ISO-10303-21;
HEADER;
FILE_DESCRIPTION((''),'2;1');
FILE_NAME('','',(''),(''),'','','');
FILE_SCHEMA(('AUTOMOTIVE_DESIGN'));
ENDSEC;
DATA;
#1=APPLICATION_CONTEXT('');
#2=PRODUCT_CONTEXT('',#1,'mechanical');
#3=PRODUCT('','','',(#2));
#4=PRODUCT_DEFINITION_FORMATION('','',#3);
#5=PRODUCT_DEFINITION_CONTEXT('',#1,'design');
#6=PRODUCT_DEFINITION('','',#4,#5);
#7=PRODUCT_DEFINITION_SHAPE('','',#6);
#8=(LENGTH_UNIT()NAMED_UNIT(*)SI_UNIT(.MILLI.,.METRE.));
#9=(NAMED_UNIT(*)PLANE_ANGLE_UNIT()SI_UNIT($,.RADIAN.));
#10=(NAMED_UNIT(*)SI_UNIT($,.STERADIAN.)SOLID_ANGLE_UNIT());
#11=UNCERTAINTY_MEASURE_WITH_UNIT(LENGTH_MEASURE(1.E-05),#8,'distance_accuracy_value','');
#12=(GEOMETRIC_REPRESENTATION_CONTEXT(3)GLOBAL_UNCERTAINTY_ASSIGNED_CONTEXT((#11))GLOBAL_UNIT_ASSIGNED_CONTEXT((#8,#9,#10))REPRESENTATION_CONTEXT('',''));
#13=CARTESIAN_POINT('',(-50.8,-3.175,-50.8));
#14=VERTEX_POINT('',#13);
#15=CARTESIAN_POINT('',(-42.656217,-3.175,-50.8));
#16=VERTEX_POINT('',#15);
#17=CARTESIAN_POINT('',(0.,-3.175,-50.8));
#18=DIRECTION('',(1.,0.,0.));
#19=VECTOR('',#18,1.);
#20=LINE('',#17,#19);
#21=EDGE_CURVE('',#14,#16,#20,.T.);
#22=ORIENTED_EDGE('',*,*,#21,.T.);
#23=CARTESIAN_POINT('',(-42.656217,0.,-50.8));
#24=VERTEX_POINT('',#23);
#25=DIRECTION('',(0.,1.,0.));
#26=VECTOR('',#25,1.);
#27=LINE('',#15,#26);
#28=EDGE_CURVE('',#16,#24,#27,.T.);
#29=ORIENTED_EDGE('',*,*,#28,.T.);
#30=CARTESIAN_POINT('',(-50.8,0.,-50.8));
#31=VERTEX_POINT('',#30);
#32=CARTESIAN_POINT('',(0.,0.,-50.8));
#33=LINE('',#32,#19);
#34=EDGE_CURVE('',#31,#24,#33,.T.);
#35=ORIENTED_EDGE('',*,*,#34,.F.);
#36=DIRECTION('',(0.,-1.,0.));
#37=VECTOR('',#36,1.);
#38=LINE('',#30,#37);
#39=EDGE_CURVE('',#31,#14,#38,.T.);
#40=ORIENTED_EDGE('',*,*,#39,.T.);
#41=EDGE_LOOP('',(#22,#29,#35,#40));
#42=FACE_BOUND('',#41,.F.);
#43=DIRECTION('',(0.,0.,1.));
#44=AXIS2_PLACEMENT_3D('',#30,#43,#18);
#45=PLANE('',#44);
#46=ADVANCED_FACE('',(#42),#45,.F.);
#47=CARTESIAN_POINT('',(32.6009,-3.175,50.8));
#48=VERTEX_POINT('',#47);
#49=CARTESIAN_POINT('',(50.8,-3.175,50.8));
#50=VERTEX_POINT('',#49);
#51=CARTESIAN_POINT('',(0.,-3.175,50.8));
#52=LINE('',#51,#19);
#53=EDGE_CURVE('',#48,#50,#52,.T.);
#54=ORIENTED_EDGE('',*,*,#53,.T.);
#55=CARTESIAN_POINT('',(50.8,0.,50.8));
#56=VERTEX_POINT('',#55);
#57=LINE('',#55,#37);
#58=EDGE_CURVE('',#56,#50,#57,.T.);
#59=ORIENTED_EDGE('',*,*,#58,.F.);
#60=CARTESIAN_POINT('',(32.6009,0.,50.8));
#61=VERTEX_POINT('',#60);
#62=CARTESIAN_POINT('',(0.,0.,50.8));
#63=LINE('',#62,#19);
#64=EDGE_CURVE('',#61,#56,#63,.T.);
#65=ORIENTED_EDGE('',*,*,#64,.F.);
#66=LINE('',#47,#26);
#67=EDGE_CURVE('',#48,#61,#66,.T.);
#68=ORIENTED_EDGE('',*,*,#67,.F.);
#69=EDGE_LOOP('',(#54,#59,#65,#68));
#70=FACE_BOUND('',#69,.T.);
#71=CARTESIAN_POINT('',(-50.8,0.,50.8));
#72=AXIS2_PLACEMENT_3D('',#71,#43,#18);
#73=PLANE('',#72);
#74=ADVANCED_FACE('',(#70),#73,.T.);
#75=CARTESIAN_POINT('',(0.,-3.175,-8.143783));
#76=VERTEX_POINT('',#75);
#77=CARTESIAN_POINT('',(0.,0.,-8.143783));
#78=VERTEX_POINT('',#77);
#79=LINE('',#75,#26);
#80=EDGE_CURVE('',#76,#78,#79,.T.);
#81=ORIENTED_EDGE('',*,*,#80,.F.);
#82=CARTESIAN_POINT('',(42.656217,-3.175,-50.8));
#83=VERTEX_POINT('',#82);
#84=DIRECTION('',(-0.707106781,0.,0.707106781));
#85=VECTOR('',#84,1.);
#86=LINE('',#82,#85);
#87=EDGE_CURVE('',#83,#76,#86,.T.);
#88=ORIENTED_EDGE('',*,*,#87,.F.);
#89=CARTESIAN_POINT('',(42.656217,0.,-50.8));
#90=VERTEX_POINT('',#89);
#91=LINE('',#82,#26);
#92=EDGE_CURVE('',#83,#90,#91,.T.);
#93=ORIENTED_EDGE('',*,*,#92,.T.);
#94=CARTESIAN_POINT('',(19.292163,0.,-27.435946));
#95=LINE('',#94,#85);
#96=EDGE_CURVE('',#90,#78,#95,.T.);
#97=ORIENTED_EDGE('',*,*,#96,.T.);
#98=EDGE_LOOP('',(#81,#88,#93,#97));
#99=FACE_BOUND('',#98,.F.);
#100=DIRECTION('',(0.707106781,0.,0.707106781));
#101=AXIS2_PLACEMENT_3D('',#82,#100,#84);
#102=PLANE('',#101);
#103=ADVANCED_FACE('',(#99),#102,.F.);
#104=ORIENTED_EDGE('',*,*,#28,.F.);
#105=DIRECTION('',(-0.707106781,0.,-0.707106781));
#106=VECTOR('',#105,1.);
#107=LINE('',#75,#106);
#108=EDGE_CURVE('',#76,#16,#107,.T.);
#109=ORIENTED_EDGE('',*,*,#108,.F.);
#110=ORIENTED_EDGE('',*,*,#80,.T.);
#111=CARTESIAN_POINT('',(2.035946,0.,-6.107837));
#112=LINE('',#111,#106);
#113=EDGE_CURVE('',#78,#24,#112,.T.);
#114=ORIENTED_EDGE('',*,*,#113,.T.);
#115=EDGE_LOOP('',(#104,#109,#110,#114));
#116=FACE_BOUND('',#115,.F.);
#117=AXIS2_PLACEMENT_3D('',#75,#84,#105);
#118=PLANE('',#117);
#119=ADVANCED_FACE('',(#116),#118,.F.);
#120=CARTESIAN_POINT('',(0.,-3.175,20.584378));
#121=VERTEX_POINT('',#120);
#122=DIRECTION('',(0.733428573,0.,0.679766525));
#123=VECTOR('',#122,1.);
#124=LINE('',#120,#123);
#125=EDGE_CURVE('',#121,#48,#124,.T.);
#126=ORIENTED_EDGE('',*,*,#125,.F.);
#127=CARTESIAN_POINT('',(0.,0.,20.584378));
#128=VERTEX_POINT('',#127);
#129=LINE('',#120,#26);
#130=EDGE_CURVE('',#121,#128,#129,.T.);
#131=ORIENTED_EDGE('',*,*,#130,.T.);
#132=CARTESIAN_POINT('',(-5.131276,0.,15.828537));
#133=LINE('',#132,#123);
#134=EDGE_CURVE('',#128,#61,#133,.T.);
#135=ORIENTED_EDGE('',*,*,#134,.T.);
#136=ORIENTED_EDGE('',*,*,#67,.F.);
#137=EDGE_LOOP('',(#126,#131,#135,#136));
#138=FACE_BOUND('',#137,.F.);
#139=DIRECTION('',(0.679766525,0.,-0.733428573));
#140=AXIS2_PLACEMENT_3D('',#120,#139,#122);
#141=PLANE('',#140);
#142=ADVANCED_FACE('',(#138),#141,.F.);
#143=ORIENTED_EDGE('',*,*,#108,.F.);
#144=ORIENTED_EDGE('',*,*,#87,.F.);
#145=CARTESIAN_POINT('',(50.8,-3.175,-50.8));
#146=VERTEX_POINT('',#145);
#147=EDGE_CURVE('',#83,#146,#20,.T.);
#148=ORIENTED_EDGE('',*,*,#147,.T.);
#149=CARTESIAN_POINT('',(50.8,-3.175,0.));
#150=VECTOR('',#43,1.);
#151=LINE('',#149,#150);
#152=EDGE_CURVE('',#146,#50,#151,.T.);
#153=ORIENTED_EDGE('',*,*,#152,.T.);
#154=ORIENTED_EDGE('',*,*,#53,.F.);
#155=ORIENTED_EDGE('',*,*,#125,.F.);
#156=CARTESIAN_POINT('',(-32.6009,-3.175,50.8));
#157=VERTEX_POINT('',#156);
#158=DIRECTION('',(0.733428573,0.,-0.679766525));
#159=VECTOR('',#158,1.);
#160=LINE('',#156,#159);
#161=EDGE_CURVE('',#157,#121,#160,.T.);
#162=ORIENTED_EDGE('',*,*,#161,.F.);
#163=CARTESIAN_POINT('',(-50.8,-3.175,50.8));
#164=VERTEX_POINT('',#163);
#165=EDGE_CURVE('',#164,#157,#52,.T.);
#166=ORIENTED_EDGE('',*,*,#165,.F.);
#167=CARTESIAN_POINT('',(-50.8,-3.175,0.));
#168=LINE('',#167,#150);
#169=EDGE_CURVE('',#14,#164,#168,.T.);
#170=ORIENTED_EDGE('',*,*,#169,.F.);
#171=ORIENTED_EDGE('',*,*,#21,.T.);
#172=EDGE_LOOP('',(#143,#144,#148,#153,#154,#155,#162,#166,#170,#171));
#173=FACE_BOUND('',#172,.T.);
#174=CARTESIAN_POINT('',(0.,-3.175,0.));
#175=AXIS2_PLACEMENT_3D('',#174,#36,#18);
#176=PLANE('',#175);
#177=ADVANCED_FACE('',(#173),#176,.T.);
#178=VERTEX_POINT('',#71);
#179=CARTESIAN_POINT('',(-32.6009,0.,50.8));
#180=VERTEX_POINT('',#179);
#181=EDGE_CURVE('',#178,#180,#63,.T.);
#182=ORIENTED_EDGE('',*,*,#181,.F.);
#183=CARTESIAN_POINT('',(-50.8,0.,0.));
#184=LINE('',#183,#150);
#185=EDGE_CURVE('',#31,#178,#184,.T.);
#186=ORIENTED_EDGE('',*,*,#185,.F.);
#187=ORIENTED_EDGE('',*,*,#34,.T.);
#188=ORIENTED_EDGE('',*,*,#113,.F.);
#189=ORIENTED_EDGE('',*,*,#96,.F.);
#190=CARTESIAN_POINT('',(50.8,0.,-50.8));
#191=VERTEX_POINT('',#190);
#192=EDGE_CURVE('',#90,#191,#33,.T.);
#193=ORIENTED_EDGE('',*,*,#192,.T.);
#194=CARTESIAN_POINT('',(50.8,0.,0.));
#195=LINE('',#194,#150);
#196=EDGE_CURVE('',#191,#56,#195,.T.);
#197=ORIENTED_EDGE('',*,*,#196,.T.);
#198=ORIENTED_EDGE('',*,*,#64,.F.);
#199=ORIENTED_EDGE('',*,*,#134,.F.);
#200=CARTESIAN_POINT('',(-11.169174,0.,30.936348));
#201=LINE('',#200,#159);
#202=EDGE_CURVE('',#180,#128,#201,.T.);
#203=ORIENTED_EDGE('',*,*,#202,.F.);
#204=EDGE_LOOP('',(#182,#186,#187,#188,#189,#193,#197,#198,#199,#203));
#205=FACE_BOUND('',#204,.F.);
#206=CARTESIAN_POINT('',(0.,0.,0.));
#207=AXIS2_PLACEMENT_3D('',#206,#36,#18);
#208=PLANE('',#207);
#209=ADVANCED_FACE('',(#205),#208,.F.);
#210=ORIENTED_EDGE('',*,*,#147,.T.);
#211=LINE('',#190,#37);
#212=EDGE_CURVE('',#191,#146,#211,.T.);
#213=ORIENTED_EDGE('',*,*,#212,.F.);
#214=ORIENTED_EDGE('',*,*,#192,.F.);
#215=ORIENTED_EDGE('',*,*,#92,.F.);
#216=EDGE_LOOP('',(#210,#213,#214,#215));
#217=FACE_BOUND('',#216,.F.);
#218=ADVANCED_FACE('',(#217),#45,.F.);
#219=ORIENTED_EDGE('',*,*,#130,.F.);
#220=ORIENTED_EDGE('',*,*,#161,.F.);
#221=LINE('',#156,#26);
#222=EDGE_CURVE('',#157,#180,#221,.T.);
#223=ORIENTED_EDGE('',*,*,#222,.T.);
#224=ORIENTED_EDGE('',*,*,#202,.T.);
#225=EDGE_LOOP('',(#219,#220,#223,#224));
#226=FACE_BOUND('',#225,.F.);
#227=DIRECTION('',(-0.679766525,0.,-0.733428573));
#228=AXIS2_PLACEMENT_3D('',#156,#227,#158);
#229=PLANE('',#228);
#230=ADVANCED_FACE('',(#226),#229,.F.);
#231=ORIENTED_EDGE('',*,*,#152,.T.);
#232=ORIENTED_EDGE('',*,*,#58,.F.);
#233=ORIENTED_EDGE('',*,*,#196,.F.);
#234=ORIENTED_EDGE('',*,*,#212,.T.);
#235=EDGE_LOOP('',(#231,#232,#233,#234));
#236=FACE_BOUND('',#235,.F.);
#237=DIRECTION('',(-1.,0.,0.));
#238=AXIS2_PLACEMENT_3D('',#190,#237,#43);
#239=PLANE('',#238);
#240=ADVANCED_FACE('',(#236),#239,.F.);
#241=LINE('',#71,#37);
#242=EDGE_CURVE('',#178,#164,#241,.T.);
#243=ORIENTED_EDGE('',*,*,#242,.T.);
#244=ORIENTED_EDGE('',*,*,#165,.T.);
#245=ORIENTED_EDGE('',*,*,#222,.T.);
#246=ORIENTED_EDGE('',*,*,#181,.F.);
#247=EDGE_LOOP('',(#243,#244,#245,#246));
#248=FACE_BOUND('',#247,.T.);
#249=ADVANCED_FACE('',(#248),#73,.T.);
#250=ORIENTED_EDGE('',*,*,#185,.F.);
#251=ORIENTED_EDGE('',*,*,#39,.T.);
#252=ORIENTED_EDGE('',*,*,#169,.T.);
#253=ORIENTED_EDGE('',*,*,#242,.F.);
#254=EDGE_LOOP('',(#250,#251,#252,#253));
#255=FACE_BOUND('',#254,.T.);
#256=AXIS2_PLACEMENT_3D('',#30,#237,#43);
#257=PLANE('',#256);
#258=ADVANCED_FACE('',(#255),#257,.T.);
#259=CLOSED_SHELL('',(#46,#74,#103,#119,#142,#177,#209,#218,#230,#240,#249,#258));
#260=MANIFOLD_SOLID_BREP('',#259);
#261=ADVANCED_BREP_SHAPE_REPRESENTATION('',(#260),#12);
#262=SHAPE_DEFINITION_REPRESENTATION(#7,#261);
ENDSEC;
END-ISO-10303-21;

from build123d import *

# Parameters (mm, degrees)
F0_W     = 101.6
F0_H     = 101.6
F1_DEPTH = 3.175
F3_DEPTH = 3.176
F5_DEPTH = 25.4


with BuildPart() as f1:
    # F0 (on Front) → F1 (new body)
    with BuildSketch(Plane.XZ):
        Rectangle(F0_W, F0_H)
    extrude(amount=F1_DEPTH)

    # F2 (on face) → F3 (cut, through all)
    with BuildSketch(Plane.XZ.offset(3.175)):
        Polygon((32.6009, 50.8), (-32.6009, 50.8), (0, 20.584378), align=None)
    extrude(amount=-F3_DEPTH, mode=Mode.SUBTRACT)

    # F4 (on face) → F5 (cut)
    with BuildSketch(Plane.XZ.offset(3.175)):
        Polygon((0, -8.143783), (-42.656217, -50.8), (42.656217, -50.8), align=None)
    extrude(amount=-F5_DEPTH, mode=Mode.SUBTRACT)


solid = f1.part
